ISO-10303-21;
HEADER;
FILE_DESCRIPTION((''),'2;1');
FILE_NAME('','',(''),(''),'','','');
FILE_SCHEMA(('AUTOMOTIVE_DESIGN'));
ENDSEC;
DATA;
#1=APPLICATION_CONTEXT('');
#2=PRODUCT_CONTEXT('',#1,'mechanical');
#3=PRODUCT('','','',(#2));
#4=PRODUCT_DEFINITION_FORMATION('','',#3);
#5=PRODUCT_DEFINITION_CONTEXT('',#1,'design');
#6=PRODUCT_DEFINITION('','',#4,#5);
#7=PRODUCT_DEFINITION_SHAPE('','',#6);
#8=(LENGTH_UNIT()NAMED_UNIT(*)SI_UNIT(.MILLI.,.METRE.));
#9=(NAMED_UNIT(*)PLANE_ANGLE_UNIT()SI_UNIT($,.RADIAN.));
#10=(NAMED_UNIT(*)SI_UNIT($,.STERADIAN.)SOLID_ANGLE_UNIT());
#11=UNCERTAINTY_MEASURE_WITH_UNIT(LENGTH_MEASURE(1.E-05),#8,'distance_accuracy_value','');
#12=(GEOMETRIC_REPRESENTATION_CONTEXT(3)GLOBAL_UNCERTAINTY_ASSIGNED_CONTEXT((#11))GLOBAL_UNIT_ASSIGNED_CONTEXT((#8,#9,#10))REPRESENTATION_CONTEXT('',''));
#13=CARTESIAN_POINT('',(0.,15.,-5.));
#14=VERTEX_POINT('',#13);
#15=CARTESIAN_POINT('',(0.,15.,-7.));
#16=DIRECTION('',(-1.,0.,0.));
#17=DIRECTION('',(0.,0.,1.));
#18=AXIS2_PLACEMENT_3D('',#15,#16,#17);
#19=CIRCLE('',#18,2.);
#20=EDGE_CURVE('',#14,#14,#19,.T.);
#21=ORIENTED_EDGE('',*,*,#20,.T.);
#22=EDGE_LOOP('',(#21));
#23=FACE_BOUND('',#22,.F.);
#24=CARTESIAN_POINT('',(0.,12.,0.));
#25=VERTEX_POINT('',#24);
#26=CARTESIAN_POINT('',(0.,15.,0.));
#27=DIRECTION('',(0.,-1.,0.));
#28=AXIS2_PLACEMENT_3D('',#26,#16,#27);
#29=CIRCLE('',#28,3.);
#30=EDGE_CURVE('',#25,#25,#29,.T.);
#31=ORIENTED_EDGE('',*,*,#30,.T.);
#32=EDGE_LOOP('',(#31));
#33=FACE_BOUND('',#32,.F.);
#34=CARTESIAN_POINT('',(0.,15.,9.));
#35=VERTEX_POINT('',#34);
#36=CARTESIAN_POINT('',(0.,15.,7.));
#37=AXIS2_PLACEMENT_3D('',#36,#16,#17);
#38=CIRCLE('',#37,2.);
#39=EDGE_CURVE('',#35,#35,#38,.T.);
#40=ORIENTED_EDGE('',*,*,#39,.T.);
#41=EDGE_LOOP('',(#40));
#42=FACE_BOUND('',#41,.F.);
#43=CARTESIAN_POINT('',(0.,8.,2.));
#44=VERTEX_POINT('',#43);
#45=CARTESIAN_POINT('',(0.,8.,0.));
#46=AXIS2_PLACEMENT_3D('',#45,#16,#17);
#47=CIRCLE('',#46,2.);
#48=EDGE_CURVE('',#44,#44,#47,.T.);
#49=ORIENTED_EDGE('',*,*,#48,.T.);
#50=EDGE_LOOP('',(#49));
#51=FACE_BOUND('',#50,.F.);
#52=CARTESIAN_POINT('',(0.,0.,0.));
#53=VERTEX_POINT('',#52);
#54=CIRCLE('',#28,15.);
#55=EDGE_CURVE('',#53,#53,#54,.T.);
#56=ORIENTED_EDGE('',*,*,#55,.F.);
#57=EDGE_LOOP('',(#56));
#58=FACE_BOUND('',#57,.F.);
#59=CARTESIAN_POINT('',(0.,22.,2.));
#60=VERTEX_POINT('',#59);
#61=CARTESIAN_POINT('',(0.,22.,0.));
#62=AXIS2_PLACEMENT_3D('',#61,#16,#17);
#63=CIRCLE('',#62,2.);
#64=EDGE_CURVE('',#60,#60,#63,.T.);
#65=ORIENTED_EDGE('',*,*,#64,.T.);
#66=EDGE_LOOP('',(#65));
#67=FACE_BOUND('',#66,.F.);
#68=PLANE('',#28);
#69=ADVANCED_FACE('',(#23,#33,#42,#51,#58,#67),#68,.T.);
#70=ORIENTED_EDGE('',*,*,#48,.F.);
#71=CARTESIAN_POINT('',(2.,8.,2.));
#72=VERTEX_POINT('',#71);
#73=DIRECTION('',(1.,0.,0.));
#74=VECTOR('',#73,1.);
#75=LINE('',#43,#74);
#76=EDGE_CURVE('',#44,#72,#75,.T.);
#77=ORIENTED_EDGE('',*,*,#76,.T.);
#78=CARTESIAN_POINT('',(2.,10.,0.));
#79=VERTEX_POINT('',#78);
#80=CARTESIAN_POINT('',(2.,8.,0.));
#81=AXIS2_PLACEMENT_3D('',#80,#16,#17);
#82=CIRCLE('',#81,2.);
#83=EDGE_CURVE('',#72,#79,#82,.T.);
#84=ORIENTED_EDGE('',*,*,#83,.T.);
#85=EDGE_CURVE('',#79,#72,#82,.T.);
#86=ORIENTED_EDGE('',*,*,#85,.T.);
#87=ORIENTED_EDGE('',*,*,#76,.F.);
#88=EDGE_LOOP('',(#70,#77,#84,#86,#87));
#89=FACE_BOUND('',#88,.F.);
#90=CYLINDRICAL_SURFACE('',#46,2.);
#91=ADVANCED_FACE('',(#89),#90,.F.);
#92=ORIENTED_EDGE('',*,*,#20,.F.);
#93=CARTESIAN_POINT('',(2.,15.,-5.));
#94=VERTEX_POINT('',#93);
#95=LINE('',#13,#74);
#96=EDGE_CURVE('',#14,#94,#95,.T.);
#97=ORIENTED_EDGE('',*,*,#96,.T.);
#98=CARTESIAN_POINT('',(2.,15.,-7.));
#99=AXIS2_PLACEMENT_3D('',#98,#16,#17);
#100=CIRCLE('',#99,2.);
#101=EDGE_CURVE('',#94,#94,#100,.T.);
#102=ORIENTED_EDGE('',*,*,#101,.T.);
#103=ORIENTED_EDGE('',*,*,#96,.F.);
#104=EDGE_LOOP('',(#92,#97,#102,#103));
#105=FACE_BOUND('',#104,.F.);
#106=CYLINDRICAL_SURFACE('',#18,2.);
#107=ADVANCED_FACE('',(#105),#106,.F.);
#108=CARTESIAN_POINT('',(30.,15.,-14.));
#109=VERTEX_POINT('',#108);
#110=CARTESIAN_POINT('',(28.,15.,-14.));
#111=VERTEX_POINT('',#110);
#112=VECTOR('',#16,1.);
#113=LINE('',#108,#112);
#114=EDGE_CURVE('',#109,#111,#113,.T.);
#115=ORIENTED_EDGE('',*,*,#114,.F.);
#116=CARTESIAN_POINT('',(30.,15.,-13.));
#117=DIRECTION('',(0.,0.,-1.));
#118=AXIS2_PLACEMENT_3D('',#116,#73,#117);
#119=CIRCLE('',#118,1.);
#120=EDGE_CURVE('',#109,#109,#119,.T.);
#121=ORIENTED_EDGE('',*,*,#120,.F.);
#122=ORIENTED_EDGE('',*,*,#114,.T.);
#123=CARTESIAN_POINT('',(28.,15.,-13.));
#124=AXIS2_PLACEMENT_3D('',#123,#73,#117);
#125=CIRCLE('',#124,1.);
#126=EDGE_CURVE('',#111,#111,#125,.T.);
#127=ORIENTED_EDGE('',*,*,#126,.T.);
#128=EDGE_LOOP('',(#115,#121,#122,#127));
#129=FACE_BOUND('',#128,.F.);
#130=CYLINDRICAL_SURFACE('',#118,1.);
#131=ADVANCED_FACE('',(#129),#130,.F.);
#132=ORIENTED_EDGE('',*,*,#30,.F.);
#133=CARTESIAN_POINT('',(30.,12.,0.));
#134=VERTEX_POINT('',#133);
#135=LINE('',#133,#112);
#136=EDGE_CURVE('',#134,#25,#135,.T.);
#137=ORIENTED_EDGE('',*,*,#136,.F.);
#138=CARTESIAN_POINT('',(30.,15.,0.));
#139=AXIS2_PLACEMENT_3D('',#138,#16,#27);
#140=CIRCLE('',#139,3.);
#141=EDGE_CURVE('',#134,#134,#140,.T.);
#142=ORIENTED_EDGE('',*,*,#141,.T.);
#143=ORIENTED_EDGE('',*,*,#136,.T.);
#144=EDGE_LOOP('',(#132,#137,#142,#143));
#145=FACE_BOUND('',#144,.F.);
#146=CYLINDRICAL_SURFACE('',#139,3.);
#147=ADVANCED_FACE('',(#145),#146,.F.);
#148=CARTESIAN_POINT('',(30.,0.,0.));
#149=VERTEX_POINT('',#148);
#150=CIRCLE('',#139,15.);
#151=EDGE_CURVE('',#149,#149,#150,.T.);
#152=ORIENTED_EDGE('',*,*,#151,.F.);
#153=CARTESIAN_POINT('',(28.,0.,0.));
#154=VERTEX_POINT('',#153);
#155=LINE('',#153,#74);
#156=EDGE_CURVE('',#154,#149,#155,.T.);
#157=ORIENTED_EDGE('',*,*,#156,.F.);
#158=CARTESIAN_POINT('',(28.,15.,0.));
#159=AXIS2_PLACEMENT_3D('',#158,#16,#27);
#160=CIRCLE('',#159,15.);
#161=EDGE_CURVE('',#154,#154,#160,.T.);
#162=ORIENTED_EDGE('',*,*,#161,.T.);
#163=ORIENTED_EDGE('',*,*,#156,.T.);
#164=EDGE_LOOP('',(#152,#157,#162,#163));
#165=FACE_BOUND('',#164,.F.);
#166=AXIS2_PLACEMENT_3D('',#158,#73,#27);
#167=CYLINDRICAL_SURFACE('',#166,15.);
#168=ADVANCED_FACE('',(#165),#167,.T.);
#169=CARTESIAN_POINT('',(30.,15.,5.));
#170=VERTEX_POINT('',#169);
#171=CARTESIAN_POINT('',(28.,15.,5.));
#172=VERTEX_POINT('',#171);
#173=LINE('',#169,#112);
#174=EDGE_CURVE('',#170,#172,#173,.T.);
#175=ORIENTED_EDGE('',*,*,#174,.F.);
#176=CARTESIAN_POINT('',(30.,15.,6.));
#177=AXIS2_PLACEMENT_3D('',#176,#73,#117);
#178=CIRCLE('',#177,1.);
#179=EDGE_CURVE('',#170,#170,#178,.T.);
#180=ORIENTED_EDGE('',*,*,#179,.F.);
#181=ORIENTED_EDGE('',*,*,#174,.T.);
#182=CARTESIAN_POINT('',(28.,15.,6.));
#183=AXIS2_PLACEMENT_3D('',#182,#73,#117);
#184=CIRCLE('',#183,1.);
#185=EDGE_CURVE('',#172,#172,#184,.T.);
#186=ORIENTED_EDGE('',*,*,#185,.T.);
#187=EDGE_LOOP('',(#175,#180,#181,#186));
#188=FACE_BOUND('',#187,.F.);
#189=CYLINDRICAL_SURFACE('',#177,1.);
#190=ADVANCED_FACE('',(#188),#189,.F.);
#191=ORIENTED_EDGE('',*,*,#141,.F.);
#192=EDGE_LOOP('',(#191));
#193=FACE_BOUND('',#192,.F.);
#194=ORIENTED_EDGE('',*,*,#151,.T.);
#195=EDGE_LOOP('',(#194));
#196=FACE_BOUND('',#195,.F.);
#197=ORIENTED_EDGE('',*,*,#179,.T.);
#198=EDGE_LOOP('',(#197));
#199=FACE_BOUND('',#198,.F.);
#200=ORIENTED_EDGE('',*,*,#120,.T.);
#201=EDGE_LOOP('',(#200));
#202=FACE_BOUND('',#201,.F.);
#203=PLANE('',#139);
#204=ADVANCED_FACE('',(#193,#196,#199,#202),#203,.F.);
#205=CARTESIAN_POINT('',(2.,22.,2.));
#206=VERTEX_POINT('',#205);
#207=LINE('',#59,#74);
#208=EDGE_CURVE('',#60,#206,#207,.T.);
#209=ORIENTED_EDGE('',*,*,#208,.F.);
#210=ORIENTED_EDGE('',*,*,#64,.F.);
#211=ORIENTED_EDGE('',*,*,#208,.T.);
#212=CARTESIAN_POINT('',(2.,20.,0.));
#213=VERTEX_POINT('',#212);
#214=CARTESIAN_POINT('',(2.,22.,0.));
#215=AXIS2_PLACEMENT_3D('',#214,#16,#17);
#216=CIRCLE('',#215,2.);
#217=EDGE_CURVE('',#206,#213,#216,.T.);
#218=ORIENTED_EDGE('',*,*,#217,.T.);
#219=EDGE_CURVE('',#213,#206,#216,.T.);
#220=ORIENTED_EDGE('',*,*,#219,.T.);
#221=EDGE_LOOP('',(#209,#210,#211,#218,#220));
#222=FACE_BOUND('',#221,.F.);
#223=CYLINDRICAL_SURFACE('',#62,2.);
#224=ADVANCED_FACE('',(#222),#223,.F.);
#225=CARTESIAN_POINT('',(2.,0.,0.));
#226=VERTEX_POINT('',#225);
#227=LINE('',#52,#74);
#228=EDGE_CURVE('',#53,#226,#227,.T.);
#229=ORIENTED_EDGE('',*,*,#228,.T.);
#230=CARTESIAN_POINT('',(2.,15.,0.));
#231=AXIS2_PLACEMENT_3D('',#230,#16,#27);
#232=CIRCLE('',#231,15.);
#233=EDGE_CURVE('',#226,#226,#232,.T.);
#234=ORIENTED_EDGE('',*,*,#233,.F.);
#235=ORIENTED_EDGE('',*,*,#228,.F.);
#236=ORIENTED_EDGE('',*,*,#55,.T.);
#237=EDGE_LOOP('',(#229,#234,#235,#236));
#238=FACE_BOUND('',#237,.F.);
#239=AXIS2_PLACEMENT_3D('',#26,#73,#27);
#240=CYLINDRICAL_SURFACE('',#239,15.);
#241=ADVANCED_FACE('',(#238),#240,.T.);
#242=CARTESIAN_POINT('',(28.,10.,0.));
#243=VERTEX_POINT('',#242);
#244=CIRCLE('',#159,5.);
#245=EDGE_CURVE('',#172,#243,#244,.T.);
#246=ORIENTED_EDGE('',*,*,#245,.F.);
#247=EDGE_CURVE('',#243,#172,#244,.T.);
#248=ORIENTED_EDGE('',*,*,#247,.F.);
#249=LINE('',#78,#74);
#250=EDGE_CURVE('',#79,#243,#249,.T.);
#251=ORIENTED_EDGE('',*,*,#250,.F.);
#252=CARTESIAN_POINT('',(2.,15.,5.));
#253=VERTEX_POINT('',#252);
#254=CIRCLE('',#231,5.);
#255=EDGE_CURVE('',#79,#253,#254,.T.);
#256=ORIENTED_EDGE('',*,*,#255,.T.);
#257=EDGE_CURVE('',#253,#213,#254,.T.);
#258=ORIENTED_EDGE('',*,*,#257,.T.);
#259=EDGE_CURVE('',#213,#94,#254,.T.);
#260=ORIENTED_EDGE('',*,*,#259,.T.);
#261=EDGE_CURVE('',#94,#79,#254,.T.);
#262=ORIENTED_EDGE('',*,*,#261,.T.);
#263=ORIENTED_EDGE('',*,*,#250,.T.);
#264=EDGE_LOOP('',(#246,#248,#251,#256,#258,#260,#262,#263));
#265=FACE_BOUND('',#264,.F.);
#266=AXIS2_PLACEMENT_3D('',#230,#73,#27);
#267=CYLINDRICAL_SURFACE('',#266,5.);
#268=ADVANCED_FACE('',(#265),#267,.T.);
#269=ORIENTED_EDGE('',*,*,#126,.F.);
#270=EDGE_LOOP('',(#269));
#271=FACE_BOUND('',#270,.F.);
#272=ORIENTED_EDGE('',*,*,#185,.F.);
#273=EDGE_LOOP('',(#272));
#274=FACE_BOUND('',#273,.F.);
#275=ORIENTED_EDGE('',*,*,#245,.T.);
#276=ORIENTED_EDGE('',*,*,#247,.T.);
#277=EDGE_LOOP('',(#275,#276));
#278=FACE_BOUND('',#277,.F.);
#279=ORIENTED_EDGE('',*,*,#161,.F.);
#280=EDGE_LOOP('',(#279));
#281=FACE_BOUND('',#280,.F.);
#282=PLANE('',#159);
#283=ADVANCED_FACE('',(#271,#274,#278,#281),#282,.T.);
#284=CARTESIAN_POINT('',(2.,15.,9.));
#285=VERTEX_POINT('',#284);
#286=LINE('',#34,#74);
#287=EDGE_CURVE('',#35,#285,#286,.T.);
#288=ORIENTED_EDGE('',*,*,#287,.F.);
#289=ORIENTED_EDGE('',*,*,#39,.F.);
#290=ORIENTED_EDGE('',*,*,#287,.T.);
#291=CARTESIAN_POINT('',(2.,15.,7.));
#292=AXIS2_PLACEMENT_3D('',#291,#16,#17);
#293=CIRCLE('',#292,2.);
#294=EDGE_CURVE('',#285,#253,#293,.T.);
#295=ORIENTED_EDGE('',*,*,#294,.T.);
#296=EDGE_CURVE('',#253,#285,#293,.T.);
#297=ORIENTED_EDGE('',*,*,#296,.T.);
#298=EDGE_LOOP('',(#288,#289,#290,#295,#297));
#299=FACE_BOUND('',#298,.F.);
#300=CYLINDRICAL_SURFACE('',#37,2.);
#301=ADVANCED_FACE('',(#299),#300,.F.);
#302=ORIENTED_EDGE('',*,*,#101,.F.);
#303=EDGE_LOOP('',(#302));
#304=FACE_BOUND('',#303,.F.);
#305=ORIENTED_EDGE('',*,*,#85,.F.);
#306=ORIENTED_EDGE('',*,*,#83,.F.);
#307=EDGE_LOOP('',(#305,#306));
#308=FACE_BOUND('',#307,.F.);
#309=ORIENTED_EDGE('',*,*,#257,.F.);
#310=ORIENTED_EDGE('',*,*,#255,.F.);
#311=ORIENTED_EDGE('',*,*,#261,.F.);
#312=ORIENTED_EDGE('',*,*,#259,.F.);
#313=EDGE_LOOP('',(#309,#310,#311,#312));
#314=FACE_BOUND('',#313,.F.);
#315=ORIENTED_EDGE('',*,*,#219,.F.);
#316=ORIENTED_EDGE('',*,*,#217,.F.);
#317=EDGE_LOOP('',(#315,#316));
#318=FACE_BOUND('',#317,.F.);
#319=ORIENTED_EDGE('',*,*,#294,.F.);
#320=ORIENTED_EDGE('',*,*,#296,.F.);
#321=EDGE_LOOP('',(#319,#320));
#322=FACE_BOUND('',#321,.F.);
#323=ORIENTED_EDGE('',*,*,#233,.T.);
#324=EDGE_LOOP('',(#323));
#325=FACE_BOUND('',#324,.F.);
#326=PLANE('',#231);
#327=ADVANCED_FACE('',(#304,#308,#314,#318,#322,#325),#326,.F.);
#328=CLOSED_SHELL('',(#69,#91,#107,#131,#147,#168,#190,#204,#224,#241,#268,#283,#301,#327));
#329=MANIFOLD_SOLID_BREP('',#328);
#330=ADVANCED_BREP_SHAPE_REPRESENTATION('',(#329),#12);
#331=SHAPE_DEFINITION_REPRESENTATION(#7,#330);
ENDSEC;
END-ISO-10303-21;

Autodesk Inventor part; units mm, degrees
ref_plane "YZ Plane" through (0, 0, 0) normal (1, 0, 0) x (0, 1, 0)
ref_plane "XZ Plane" through (0, 0, 0) normal (0, 1, 0) x (-1, 0, 0)
ref_plane "XY Plane" through (0, 0, 0) normal (0, 0, 1) x (1, 0, 0)
sketch "Sketch1" plane through (0, 0, 0) normal (0, 0, 1) x (1, 0, 0)
  line L0 (0, 0) -> (2, 0)
  line L1 (2, 0) -> (2, 10)
  line L2 (2, 10) -> (28, 10)
  line L3 (28, 10) -> (28, 0)
  line L4 (28, 0) -> (30, 0)
  line L5 (30, 0) -> (30, 12)
  line L6 (30, 12) -> (0, 12)
  line L7 (0, 12) -> (0, 0)
  line L8 (30, 15) -> (0, 15)
  dimension "d0" = 2
  dimension "d1" = 10
  dimension "d2" = 26
  dimension "d3" = 2
  dimension "d4" = 12
  dimension "d5" = 3
  dimension "d6" = 30
revolve "Revolution1" add sketch "Sketch1" angle 360 about axis through (30, 15, 0) along (-1, 0, 0)
sketch "Sketch2" plane through (0, 15, 0) normal (-1, 0, 0) x (0, 0, 1)
  circle A0 centre (7, 0) radius 2
  circle A1 centre (-7, 0) radius 2
  circle A2 centre (0, 7) radius 2
  circle A3 centre (0, -7) radius 2
  point P0 (0, -15)
  point P1 (0, 0)
  dimension "d8" = 4
  dimension "d10" = 4
  dimension "d13" = 4
  dimension "d14" = 4
  dimension "d17" = 7
  dimension "d18" = 7
  dimension "d19" = 7
  dimension "d20" = 7
sketch "Sketch3" plane through (0, 15, 0) normal (-1, 0, 0) x (0, 0, 1)
  point P0 (0, -15)
extrude "Extrusion1" cut sketch "Sketch2" against normal blind 2
sketch "Sketch4" plane through (30, 15, 0) normal (1, 0, 0) x (0, 0, -1)
  circle A0 centre (13, 0) radius 1
  circle A1 centre (-6, 0) radius 1
  point P0 (0, -15)
  point P1 (0, 0)
  dimension "d23" = 2
  dimension "d24" = 2
  dimension "d25" = 6
  dimension "d26" = 13
extrude "Extrusion2" cut sketch "Sketch4" against normal blind 2
properties part number "Spool1"
